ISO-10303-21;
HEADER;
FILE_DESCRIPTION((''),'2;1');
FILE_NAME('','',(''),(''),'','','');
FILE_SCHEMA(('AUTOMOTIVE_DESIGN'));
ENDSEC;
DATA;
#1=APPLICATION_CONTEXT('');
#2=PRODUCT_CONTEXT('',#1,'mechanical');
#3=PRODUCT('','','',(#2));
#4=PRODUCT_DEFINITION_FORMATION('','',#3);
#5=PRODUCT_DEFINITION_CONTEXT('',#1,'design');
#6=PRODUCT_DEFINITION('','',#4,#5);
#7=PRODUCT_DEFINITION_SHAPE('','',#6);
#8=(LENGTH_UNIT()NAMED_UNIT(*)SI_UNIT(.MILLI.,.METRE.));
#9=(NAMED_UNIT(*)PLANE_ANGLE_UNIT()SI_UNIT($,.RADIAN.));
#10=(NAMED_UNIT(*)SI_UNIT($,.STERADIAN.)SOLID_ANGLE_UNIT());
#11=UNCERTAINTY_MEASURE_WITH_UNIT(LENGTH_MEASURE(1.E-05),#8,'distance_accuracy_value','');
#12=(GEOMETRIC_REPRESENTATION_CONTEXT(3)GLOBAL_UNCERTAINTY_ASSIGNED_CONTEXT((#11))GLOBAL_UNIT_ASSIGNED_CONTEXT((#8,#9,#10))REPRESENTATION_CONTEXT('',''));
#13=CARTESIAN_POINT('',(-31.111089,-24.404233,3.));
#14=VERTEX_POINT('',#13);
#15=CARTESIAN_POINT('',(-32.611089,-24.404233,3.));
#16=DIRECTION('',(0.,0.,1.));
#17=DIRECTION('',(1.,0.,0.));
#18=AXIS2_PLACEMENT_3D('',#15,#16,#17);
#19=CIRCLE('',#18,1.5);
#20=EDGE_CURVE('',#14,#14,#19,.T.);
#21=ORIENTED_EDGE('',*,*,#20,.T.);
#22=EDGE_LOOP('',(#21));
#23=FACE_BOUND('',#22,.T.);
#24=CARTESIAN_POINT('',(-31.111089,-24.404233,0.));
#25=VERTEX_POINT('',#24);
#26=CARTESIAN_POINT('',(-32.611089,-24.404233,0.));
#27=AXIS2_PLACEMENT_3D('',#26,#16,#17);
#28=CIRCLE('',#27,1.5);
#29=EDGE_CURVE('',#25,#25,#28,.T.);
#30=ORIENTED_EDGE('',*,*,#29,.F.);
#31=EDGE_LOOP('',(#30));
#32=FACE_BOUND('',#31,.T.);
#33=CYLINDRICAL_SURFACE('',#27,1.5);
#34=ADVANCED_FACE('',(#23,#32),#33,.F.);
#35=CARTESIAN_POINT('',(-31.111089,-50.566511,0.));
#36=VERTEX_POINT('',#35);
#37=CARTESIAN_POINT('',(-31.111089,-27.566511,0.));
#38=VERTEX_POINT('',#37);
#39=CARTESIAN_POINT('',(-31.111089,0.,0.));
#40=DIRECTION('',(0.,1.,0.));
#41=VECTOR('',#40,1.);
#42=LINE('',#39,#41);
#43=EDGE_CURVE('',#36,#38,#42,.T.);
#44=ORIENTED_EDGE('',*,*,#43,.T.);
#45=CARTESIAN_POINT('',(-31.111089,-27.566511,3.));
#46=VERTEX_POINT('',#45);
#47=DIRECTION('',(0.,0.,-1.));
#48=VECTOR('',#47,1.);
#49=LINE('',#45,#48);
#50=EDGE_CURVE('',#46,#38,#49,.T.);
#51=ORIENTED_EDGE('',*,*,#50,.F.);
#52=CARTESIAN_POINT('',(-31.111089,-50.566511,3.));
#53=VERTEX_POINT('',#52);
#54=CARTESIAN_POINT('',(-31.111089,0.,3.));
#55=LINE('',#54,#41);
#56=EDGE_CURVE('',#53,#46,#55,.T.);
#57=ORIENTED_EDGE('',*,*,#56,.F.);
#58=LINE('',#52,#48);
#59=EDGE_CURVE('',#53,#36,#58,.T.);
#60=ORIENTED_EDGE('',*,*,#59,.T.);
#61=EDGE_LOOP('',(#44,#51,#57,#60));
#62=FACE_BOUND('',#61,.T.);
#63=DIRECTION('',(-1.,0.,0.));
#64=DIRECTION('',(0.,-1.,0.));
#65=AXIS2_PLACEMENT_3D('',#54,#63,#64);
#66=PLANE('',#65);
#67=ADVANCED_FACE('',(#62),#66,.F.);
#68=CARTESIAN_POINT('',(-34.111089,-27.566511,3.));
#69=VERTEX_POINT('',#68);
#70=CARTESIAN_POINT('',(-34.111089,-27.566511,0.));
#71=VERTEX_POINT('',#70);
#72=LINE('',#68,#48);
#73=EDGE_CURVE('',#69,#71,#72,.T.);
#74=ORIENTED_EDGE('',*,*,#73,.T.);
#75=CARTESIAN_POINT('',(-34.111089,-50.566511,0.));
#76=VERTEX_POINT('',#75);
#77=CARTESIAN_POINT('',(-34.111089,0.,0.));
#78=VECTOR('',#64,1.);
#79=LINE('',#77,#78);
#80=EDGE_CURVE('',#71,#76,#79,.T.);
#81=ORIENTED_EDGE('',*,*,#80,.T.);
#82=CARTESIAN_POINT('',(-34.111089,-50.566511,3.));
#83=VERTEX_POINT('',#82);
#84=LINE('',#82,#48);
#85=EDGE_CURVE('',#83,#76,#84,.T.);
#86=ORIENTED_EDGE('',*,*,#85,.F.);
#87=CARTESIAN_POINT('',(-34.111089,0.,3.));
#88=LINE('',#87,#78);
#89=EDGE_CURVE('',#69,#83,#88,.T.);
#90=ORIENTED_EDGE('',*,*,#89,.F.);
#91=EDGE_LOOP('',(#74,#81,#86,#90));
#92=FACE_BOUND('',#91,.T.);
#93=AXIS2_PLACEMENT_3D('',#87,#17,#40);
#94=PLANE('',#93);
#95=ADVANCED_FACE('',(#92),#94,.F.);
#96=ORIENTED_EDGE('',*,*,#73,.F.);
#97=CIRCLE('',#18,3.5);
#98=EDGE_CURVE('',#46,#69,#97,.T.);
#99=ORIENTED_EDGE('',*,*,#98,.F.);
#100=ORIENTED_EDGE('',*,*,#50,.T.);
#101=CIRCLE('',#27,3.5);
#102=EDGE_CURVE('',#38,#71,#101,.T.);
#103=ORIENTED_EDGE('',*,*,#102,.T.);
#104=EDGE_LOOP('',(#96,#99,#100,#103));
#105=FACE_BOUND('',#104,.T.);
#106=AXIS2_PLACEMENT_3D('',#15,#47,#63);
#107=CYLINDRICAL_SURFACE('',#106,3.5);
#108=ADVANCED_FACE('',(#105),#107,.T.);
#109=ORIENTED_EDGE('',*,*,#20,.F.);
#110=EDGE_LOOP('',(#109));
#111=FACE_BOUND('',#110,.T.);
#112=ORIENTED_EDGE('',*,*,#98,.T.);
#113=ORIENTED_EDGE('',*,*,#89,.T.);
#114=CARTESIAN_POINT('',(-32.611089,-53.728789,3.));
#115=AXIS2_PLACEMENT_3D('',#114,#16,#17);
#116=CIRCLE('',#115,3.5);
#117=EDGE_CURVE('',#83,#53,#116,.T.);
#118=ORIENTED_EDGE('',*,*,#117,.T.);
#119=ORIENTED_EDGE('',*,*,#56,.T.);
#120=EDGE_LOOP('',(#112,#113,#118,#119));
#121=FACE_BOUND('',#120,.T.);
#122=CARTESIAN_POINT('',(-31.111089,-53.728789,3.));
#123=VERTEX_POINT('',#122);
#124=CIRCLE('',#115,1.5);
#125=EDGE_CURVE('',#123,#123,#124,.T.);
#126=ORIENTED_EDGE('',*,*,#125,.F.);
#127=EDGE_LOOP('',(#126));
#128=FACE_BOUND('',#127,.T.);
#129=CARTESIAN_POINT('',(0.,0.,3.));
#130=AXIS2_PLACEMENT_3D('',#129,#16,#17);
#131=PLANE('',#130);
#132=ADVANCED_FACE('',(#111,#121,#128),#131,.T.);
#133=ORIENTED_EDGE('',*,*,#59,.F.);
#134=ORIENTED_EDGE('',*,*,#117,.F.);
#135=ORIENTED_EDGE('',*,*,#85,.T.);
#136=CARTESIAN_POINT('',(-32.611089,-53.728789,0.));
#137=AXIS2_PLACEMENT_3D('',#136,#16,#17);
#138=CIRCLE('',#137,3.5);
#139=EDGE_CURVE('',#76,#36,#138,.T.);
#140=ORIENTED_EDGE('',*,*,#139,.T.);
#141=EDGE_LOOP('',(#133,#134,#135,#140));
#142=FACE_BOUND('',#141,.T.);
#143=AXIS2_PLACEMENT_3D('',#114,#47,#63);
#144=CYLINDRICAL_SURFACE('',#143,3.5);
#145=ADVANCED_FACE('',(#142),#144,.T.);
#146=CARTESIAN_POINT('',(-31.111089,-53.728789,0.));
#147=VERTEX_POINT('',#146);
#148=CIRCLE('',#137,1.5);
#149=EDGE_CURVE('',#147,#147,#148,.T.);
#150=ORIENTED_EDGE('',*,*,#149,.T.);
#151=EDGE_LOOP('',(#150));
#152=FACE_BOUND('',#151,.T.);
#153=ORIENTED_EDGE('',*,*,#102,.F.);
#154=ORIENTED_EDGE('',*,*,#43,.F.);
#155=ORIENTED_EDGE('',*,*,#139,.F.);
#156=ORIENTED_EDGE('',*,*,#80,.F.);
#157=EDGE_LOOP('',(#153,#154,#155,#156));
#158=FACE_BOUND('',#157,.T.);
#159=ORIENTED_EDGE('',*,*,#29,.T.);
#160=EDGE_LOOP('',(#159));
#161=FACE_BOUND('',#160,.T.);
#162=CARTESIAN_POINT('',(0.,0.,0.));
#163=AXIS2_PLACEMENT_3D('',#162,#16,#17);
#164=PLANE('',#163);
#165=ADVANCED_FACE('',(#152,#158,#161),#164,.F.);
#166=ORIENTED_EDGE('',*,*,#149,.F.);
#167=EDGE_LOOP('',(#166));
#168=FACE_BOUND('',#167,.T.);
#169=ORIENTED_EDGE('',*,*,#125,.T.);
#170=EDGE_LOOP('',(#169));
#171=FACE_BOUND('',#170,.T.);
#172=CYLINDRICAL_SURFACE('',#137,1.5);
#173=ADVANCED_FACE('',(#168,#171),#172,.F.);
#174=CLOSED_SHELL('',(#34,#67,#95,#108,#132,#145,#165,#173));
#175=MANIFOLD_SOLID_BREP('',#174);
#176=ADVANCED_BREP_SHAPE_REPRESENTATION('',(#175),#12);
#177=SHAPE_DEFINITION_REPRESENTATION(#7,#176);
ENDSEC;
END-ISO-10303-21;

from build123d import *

# Parameters (mm, degrees)
ESTRUSIONE_ESTRUSIONE2_DEPTH = 3
TAGLIO_ESTRUSIONE7_START     = 3
SCHIZZO3_R                   = 1.5
TAGLIO_ESTRUSIONE7_DEPTH     = 4


with BuildPart() as part:
    # Schizzo2 → Estrusione-Estrusione2 (new body)
    with BuildSketch(Plane.XY):
        with BuildLine():
            Line((-34.111088775, -27.566511085), (-34.111088775, -50.566511085))
            ThreePointArc((-34.111088775, -50.566511085), (-32.611088775, -57.228788745), (-31.111088775, -50.566511085))
            Line((-31.111088775, -50.566511085), (-31.111088775, -27.566511085))
            ThreePointArc((-31.111088775, -27.566511085), (-32.611088775, -20.904233425), (-34.111088775, -27.566511085))
        make_face()
    extrude(amount=ESTRUSIONE_ESTRUSIONE2_DEPTH)

    # Schizzo3 → Taglio-Estrusione7 (cut, through all)
    with BuildSketch(Plane.XY.offset(TAGLIO_ESTRUSIONE7_START)):
        with Locations((-32.611088775, -24.404233425)):
            Circle(SCHIZZO3_R)
        with Locations((-32.611088775, -53.728788745)):
            Circle(SCHIZZO3_R)
    extrude(amount=-TAGLIO_ESTRUSIONE7_DEPTH, mode=Mode.SUBTRACT)


solid = part.part
